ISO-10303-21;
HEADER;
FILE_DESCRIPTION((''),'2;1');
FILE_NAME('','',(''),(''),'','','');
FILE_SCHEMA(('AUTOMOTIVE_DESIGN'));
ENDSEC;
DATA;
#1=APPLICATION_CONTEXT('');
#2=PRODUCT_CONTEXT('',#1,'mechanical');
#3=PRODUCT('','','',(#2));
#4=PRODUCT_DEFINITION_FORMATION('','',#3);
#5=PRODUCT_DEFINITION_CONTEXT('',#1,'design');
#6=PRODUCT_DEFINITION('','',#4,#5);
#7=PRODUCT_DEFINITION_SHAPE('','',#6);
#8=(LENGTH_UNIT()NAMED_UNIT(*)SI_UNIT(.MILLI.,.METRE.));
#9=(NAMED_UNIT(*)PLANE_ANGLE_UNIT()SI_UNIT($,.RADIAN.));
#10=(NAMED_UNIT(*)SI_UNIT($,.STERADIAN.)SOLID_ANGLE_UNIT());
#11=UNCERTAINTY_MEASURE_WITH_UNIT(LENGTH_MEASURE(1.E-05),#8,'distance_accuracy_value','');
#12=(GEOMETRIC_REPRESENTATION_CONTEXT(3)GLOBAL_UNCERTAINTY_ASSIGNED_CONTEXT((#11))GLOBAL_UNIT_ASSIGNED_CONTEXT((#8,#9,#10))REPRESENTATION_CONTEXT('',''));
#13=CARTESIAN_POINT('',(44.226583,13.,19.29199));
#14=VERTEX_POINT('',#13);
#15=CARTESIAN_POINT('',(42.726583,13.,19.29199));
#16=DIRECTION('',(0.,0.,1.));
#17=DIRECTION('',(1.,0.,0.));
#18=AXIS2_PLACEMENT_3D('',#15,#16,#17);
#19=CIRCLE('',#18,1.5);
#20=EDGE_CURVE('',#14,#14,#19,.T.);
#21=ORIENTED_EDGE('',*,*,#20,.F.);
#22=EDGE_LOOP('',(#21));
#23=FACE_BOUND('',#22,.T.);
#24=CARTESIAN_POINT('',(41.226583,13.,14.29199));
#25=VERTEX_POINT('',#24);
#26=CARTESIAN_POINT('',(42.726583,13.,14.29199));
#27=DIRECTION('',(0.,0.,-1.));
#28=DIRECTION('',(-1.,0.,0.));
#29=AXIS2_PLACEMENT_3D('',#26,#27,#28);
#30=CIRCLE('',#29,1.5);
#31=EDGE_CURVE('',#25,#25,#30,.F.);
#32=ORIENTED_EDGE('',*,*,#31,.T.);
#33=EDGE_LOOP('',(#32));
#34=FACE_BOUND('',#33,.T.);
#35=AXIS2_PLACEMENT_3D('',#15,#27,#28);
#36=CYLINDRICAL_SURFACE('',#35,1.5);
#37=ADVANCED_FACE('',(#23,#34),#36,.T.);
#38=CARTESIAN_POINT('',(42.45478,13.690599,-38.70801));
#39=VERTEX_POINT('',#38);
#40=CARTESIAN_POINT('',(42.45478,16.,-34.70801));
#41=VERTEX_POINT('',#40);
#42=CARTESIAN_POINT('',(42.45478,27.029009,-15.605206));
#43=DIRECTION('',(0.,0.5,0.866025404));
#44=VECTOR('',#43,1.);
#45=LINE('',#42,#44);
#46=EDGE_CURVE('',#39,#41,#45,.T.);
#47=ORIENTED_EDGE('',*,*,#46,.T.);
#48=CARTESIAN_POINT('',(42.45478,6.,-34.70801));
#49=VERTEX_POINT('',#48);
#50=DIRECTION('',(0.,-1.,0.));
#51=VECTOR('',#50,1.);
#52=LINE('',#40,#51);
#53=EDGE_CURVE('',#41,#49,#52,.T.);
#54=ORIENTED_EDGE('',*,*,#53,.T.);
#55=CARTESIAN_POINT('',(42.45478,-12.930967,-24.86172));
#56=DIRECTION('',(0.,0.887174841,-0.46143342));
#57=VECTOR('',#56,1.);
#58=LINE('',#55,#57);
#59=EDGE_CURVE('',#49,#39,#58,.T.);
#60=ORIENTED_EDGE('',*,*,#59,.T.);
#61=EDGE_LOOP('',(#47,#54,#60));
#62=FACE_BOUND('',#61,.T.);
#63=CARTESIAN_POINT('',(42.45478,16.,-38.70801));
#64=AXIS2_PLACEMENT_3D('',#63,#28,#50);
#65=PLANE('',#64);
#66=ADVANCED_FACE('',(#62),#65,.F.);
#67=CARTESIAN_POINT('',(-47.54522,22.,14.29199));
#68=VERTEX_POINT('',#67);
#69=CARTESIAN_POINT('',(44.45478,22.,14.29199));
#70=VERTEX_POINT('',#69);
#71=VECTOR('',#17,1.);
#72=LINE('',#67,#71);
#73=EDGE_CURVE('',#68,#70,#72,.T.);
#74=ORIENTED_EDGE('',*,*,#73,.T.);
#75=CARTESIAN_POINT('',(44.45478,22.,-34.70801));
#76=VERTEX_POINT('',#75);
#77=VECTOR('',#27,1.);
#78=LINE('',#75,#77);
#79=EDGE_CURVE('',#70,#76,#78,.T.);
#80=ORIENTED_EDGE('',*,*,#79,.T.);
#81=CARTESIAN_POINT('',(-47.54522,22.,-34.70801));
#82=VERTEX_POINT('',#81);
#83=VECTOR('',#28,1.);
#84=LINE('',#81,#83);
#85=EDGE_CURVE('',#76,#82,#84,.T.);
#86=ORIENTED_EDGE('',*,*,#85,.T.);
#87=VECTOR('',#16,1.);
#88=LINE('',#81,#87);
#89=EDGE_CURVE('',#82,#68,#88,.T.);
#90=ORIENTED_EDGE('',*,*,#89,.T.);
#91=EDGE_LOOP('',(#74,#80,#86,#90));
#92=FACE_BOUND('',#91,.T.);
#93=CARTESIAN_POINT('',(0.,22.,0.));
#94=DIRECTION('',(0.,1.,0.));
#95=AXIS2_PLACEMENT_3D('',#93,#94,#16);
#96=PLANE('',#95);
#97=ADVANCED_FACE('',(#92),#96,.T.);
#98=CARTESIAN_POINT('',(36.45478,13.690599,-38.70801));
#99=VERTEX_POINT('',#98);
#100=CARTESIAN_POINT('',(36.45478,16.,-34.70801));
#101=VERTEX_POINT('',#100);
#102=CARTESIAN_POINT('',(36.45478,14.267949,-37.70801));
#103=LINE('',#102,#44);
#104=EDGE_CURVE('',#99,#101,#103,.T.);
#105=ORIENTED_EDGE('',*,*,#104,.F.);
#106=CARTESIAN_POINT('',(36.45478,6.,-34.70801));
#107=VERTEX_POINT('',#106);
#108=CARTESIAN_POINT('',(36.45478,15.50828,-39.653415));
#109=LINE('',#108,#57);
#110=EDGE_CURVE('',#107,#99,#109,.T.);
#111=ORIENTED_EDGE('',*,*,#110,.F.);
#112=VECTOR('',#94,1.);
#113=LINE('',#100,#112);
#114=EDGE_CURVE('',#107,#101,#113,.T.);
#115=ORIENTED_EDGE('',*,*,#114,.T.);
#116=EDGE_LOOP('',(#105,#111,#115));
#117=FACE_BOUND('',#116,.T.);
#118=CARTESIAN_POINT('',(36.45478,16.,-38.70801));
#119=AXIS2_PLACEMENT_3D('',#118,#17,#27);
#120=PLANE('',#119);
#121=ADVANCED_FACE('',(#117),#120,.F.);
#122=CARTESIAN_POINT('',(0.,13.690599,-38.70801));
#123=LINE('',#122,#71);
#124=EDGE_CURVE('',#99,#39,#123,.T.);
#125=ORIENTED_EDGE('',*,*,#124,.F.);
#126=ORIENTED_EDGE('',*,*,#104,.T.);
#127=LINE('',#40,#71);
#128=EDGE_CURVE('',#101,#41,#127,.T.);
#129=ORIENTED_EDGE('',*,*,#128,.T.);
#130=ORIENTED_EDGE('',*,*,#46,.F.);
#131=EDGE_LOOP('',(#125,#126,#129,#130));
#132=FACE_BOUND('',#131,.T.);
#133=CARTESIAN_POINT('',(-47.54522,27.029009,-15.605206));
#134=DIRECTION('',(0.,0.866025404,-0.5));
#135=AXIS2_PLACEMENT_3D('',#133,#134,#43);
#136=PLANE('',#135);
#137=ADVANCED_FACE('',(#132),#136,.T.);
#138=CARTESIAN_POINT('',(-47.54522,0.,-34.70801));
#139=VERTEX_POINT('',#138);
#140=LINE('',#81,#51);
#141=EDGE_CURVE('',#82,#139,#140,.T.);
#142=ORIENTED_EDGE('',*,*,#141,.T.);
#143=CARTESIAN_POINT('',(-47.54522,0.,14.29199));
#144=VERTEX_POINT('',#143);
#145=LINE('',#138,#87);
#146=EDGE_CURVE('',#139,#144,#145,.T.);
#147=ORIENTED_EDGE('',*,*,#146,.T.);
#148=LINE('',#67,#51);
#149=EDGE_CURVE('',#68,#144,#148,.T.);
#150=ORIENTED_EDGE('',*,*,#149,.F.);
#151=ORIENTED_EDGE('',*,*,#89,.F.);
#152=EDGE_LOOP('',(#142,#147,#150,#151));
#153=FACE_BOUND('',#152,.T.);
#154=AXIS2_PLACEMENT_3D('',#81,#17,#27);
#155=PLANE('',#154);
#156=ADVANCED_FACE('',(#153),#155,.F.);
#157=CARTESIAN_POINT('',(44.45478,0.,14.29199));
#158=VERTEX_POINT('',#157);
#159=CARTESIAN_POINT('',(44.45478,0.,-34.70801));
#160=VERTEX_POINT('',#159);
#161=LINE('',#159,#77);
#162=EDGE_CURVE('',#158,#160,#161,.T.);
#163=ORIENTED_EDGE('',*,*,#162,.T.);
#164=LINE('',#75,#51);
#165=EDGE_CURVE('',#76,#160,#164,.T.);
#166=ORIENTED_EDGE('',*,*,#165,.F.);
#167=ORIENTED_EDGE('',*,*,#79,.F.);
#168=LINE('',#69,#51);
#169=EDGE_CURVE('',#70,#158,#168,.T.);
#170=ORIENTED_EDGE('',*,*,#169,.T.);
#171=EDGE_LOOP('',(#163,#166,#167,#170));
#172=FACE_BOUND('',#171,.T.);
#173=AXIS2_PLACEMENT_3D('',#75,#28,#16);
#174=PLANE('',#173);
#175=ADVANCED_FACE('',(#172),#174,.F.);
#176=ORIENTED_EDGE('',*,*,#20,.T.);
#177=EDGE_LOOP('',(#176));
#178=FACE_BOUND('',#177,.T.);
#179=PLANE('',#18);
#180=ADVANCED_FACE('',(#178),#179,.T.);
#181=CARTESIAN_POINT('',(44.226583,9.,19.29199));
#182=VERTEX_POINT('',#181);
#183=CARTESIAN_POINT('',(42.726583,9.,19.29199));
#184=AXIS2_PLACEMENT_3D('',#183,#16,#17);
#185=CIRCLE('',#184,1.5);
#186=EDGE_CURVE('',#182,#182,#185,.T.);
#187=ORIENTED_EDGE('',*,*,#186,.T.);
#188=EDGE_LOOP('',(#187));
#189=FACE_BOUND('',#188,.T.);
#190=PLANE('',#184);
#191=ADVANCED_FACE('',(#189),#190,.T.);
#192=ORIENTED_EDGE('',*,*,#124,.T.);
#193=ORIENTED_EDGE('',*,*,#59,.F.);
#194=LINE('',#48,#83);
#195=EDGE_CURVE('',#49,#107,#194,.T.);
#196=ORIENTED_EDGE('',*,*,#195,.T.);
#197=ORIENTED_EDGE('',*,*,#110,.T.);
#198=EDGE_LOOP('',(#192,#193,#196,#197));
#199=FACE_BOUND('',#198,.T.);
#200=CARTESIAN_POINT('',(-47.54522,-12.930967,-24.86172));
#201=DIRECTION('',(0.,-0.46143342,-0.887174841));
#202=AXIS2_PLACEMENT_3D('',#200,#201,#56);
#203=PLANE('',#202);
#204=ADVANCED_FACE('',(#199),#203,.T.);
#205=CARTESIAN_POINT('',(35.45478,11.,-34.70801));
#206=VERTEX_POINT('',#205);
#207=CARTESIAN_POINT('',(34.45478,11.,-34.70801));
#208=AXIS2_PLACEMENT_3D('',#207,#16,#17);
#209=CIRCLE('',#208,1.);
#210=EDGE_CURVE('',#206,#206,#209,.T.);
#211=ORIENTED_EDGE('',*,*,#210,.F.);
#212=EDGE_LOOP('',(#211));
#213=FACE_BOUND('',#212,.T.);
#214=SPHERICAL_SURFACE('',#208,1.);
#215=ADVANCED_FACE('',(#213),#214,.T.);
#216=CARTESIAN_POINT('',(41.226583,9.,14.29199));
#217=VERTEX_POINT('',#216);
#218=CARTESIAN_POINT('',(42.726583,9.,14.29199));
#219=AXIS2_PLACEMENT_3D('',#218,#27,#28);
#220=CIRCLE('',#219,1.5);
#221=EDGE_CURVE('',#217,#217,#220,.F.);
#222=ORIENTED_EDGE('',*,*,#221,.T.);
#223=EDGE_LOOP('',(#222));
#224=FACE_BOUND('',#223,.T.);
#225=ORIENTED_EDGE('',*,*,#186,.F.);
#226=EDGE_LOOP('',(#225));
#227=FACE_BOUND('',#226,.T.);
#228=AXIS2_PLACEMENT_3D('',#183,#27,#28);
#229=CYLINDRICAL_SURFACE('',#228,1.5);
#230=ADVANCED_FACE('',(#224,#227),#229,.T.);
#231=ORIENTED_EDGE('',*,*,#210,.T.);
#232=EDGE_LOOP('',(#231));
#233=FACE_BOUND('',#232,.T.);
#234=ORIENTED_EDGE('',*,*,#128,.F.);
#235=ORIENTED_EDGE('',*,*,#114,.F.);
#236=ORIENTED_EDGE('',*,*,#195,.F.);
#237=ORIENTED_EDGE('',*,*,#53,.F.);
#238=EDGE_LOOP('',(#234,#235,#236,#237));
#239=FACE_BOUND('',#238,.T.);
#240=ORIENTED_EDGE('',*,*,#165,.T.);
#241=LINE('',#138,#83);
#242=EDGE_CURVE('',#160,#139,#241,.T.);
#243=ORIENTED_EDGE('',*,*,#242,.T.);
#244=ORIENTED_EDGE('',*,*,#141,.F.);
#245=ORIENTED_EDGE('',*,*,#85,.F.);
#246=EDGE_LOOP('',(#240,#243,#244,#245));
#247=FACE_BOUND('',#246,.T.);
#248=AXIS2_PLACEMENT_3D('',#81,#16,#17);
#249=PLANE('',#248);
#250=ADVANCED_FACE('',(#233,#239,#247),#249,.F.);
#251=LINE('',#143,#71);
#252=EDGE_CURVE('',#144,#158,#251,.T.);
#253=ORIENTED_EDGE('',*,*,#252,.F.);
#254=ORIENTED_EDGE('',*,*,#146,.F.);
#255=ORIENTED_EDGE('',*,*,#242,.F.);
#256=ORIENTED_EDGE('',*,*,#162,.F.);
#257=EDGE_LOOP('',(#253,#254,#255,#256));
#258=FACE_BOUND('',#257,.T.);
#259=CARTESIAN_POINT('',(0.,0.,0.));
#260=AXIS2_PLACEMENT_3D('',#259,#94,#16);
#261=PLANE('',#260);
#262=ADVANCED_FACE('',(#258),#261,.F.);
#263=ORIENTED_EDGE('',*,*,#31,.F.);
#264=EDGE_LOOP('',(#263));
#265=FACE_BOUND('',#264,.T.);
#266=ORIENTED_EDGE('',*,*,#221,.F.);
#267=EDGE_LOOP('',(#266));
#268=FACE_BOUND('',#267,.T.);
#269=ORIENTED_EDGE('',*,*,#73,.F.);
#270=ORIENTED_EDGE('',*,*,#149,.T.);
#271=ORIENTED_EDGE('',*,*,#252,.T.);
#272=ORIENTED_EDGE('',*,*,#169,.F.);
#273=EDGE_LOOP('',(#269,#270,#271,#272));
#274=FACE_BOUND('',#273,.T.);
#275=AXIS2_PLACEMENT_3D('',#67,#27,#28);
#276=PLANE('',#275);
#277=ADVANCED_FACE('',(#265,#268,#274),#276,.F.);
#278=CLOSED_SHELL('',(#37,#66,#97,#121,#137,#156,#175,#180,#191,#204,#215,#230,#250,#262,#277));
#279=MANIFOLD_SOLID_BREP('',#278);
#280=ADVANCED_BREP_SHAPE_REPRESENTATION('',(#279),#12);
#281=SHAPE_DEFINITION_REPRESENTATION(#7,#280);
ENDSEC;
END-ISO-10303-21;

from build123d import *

# Parameters (mm, degrees)
SKETCH_1_W          = 92
SKETCH_1_H          = 49
EXTRUDE_1_DEPTH     = 22
SKETCH_2_W          = 6
SKETCH_2_H          = 10
EXTRUDE_2_DEPTH     = 4
CUT_EXTRUDE_2_DEPTH = 91
SKETCH_5_R          = 1.5
EXTRUDE_3_DEPTH     = 5


with BuildPart() as part:
    # 草图1 → 凸台-拉伸1 (new body)
    with BuildSketch(Plane(origin=(0, 0, 0), x_dir=(1, 0, 0), z_dir=(0, 1, 0))):
        with Locations((-1.545219638, 10.208010336)):
            Rectangle(SKETCH_1_W, SKETCH_1_H)
    extrude(amount=EXTRUDE_1_DEPTH)

    # 草图2 → 凸台-拉伸2 (add)
    with BuildSketch(Plane(origin=(0, 0, -34.708010336), x_dir=(-1, 0, 0), z_dir=(0, 0, -1))):
        with Locations((-39.454780362, 11)):
            Rectangle(SKETCH_2_W, SKETCH_2_H)
    extrude(amount=EXTRUDE_2_DEPTH)

    # 草图3 → 切除-拉伸2 (cut, through all)
    with BuildSketch(Plane(origin=(42.454780362, 0, 0), x_dir=(0, 0, -1), z_dir=(1, 0, 0))):
        Polygon((38.708010336, 16), (34.708010336, 16), (38.708010336, 13.690598923), align=None)
        Polygon((38.708010336, 13.690598923), (34.708010336, 6), (38.708010336, 6), align=None)
    extrude(amount=-CUT_EXTRUDE_2_DEPTH, mode=Mode.SUBTRACT)

    # 草图4 → 旋转1 (revolve)
    with BuildSketch(Plane(origin=(0, 0, -34.708010336), x_dir=(-1, 0, 0), z_dir=(0, 0, -1))):
        with BuildLine():
            Line((-34.454780362, 11), (-34.454780362, 12))
            ThreePointArc((-34.454780362, 12), (-33.454780362, 11), (-34.454780362, 10))
            Line((-34.454780362, 10), (-34.454780362, 11))
        make_face()
    revolve(axis=Axis((34.454780362, 11, -34.708010336), (0, 1, 0)))

    # 草图5 → 凸台-拉伸3 (add)
    with BuildSketch(Plane.XY.offset(14.291989664)):
        with Locations((42.72658272, 13)):
            Circle(SKETCH_5_R)
        with Locations((42.72658272, 9)):
            Circle(SKETCH_5_R)
    extrude(amount=EXTRUDE_3_DEPTH)


solid = part.part
